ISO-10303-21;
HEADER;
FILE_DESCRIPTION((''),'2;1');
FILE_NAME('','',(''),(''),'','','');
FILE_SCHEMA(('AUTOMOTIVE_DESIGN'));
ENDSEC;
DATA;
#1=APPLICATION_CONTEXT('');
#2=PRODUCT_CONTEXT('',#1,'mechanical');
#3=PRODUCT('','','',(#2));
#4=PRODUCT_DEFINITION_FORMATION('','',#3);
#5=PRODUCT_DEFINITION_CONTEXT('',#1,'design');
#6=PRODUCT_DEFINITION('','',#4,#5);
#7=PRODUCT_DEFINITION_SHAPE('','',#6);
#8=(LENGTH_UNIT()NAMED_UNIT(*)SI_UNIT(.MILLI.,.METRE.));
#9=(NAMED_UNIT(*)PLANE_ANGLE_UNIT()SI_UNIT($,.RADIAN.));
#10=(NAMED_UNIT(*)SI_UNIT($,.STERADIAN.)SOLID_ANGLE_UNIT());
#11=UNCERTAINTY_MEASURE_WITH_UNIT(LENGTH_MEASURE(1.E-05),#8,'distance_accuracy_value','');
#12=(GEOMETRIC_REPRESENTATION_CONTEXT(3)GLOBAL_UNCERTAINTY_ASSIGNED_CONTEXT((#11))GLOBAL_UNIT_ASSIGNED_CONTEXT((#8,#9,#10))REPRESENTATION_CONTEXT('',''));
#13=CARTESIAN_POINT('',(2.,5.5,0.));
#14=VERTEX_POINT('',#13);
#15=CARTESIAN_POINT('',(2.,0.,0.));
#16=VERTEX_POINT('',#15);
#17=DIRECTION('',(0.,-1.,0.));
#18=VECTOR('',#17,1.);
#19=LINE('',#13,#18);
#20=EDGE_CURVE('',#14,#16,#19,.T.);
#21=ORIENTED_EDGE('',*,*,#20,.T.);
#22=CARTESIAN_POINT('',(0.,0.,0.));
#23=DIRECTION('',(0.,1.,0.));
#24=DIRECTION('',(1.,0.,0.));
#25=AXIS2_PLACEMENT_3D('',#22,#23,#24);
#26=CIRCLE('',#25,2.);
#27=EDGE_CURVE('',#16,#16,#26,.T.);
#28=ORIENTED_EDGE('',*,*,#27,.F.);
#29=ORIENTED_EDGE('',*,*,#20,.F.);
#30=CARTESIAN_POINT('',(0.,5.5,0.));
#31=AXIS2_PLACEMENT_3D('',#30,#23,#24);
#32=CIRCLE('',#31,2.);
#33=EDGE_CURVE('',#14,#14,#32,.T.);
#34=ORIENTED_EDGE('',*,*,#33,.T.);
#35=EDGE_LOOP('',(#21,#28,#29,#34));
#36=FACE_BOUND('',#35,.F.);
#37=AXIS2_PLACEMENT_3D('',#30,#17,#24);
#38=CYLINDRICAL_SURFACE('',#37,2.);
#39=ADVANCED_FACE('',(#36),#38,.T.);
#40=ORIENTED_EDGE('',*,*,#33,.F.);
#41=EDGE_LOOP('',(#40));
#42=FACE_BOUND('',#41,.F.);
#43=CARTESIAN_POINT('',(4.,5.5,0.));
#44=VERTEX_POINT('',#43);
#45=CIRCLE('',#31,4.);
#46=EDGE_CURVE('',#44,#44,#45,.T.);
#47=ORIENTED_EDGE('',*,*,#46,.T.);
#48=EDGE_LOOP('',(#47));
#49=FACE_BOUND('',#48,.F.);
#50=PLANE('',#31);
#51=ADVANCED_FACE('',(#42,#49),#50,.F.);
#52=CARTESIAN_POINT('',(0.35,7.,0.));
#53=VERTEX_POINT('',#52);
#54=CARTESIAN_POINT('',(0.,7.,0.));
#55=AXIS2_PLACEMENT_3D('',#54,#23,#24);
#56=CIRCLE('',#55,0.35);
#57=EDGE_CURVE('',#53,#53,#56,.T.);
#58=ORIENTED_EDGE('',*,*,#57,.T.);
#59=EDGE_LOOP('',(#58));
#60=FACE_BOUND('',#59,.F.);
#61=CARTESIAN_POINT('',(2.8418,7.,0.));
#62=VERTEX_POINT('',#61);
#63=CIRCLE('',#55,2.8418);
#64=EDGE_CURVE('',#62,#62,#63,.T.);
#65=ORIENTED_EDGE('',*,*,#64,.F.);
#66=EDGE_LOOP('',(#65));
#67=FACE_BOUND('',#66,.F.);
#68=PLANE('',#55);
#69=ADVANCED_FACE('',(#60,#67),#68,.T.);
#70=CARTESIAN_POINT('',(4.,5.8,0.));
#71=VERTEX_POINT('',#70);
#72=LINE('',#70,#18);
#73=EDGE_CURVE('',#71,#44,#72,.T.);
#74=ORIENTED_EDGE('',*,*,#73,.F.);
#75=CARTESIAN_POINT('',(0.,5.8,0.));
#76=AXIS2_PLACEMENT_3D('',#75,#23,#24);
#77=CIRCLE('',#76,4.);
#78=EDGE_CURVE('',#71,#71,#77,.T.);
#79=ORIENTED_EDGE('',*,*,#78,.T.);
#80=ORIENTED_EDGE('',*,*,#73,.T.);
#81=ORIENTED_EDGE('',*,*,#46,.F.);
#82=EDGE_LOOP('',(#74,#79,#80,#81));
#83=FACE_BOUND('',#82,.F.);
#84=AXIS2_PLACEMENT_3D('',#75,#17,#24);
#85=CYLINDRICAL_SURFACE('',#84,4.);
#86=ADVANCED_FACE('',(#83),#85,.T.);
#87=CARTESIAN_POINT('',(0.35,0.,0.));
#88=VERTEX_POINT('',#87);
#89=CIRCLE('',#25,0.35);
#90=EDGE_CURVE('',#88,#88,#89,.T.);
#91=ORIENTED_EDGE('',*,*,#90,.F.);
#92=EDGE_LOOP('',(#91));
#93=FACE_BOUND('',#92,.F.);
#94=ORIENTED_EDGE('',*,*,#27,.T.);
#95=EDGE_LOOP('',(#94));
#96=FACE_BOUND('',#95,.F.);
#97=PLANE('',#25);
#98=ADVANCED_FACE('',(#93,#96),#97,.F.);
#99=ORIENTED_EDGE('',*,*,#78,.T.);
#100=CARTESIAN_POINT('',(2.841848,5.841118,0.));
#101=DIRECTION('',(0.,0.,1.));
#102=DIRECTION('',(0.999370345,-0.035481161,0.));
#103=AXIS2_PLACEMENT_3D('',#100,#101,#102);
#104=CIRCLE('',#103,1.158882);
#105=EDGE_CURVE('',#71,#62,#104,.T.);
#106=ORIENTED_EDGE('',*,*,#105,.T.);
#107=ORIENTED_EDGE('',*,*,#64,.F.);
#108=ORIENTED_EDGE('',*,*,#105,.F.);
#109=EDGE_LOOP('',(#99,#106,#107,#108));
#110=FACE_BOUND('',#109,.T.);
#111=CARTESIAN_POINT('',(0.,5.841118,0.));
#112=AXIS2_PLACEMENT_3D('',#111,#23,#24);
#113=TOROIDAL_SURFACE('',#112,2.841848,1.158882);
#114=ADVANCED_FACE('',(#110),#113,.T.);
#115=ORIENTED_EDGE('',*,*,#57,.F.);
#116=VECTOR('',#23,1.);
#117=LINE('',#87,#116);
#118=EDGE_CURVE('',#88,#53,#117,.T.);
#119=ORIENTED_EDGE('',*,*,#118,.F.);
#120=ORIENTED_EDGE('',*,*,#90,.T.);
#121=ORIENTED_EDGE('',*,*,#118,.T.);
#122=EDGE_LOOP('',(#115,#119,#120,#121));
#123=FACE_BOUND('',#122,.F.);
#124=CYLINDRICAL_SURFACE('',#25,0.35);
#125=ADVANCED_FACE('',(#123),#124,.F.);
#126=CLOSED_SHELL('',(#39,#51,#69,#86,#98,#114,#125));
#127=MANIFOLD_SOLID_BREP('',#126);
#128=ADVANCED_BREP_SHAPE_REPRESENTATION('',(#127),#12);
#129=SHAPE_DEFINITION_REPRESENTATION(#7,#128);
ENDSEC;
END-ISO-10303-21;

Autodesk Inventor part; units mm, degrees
ref_plane "YZ Plane" through (0, 0, 0) normal (1, 0, 0) x (0, 1, 0)
ref_plane "XZ Plane" through (0, 0, 0) normal (0, 1, 0) x (-1, 0, 0)
ref_plane "XY Plane" through (0, 0, 0) normal (0, 0, 1) x (1, 0, 0)
sketch "Sketch1" plane through (0, 0, 0) normal (0, 0, 1) x (1, 0, 0)
  line L0 (0.35, 0) -> (0.35, 7)
  line L1 (0.35, 7) -> (2.8418, 7)
  arc A0 (4, 5.8) -> (2.8418, 7) centre (2.8418, 5.8411) ccw
  line L2 (4, 5.8) -> (4, 5.5)
  line L3 (4, 5.5) -> (2, 5.5)
  line L4 (2, 5.5) -> (2, 0)
  line L5 (2, 0) -> (0.35, 0)
  line L6 (0, 0) -> (0, 7) construction
  dimension "d0" = 4
  dimension "d1" = 0.7
  dimension "d2" = 7
  dimension "d3" = 1.5
  dimension "d4" = 8
  dimension "d5" = 0.3
revolve "Revolution1" add sketch "Sketch1" angle 360 about axis through (0, 0, 0) along (0, 1, 0)
properties part number "remache"
